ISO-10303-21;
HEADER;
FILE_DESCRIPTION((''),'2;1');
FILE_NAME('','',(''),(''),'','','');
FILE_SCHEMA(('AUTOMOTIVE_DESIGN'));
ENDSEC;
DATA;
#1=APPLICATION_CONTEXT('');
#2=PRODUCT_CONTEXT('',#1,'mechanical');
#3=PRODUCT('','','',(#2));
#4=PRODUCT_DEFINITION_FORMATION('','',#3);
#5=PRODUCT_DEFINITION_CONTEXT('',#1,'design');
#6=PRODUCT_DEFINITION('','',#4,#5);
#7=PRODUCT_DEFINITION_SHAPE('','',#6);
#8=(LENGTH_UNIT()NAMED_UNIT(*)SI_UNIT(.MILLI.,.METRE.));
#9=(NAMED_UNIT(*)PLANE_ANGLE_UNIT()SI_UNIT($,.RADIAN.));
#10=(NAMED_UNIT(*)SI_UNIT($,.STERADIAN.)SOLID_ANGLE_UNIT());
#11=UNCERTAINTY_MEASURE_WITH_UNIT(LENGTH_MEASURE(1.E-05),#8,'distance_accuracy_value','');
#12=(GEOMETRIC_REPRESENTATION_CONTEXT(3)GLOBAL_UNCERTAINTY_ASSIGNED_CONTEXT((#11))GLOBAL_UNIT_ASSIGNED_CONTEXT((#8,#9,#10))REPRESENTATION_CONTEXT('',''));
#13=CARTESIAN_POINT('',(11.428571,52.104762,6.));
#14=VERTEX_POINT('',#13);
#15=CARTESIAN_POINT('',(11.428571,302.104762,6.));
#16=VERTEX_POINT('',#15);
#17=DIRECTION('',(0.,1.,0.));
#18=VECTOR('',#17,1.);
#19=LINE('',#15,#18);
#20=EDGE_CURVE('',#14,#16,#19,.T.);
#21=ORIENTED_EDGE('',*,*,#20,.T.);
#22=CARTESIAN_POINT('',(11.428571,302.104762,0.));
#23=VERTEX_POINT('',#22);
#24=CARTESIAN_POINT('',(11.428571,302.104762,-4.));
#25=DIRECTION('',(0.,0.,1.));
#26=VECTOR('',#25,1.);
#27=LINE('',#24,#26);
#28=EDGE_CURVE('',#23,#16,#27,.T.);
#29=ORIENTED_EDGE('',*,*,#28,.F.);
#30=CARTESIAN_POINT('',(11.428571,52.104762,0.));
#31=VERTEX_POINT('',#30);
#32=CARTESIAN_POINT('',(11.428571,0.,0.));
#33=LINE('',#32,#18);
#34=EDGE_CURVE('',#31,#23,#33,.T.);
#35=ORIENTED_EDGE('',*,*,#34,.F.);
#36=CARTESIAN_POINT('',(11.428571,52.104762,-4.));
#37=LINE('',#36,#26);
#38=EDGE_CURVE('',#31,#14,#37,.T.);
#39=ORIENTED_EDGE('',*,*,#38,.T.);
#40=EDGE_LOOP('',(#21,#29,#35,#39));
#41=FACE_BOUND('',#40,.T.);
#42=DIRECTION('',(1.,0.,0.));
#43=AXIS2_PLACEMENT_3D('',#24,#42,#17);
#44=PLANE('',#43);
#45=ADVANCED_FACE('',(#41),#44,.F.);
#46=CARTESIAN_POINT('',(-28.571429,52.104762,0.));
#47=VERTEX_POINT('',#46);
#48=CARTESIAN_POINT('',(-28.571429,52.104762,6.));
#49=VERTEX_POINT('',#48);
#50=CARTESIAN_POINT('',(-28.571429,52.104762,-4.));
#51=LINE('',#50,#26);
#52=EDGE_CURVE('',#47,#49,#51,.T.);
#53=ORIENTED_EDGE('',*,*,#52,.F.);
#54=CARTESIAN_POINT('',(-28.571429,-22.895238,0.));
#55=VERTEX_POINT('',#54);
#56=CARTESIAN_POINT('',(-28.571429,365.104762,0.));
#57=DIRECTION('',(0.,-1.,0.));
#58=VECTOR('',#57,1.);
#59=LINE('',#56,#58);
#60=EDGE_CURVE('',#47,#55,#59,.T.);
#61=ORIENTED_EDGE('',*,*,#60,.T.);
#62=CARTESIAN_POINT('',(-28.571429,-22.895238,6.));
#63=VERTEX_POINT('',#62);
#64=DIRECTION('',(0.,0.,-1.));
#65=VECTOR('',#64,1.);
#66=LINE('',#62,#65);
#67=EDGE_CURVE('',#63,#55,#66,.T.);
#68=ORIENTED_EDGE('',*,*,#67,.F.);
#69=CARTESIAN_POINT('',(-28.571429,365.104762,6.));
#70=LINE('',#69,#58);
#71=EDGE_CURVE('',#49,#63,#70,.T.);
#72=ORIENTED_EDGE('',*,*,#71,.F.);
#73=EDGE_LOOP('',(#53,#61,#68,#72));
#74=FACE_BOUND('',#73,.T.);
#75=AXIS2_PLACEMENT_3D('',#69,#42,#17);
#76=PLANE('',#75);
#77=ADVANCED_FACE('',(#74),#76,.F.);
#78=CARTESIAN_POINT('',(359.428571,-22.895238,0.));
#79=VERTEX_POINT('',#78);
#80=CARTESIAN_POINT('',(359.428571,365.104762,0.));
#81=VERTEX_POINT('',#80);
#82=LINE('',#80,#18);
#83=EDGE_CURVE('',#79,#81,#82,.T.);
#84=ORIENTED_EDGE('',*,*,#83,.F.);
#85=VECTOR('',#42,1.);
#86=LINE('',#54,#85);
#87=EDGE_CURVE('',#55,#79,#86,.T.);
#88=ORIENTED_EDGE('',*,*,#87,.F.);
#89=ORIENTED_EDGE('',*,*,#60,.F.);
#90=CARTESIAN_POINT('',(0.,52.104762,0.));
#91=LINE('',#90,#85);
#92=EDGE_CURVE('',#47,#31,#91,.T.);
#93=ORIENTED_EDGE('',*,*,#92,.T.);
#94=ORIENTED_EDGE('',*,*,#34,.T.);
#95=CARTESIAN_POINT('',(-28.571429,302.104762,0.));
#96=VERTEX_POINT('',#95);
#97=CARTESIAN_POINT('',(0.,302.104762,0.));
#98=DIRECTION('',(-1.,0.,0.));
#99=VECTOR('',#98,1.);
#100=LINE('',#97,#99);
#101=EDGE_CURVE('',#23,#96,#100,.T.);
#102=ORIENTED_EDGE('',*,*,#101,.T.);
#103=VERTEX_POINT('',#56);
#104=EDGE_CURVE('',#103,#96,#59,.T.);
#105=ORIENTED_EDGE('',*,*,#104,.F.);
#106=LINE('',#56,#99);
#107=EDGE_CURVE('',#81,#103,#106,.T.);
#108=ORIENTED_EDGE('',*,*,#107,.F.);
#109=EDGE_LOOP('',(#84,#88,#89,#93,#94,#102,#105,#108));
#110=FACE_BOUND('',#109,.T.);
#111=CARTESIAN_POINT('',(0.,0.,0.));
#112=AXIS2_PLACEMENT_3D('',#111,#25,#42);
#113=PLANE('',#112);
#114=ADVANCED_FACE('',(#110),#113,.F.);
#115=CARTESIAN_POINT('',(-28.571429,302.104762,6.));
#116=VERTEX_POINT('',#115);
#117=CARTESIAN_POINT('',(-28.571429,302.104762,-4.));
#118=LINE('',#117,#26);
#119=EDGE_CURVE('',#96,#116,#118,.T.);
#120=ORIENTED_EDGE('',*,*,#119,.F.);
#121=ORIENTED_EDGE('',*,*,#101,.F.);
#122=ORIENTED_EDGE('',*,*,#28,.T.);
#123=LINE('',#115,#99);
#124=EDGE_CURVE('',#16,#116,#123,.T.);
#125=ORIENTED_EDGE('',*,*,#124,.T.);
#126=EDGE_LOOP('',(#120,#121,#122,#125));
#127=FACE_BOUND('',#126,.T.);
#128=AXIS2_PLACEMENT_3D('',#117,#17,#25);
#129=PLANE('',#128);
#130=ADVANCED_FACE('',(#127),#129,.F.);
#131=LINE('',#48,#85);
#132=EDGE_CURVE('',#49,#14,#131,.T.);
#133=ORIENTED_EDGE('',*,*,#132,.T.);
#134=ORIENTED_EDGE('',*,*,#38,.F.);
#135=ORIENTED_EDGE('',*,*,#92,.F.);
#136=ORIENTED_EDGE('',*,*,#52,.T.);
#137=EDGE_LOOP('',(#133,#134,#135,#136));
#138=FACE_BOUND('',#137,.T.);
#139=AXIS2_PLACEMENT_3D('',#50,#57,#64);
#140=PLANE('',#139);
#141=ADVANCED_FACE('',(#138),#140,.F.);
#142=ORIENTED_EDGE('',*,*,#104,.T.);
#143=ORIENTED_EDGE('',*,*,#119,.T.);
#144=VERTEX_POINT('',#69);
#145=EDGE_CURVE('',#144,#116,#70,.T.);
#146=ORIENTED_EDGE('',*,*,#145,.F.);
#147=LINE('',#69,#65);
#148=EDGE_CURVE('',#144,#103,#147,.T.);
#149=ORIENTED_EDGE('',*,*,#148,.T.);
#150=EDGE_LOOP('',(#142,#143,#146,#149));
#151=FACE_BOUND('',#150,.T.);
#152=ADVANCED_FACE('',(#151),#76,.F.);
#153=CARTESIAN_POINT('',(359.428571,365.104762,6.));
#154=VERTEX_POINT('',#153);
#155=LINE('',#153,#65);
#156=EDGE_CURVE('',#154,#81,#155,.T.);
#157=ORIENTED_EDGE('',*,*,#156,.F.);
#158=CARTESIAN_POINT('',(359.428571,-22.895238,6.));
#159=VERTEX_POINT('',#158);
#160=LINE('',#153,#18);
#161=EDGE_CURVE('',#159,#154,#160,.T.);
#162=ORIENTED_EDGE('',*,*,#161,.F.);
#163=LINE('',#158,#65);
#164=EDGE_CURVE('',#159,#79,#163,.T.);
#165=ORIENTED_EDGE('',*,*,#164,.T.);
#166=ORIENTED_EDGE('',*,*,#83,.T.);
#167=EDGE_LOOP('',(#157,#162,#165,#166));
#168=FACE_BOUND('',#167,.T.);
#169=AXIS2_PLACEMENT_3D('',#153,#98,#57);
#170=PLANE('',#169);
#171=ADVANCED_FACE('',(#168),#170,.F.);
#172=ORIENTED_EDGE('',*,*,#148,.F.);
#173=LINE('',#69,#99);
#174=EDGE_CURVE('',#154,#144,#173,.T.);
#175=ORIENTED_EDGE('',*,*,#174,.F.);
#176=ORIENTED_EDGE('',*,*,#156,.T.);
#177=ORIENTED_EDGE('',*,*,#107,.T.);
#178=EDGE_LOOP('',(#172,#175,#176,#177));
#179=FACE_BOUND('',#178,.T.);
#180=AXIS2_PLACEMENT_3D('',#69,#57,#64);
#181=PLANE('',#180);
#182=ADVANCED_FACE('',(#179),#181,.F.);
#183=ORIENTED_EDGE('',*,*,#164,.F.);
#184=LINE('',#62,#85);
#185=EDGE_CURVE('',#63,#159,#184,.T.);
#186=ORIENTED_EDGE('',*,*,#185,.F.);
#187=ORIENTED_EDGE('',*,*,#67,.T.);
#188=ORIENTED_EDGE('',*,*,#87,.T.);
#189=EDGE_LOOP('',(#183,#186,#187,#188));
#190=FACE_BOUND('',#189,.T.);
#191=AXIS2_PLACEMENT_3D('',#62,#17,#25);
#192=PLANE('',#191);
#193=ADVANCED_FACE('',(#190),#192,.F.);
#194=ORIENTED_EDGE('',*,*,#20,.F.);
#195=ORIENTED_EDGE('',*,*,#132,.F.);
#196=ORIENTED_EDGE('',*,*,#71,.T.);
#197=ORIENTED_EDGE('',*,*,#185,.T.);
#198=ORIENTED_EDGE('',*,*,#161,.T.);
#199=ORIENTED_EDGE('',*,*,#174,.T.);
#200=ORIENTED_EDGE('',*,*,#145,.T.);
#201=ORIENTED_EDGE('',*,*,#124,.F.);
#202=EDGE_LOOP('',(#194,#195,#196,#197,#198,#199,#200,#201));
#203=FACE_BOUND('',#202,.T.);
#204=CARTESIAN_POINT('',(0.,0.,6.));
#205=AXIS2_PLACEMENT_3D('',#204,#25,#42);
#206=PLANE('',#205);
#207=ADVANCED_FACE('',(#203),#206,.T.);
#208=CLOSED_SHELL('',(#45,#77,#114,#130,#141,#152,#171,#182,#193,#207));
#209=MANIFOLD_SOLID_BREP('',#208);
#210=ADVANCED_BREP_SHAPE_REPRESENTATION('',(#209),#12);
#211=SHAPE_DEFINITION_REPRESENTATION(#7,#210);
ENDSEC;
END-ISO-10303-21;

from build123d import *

# Parameters (mm, degrees)
SKETCH1_W           = 388
SKETCH1_H           = 388
BOSS_EXTRUDE1_DEPTH = 6
SKETCH2_W           = 40
SKETCH2_H           = 250
CUT_EXTRUDE1_DEPTH  = 10


with BuildPart() as part:
    # Sketch1 → Boss-Extrude1 (new body)
    with BuildSketch(Plane.XY):
        with Locations((165.428571429, 171.104761905)):
            Rectangle(SKETCH1_W, SKETCH1_H)
    extrude(amount=BOSS_EXTRUDE1_DEPTH)

    # Sketch2 → Cut-Extrude1 (cut)
    with BuildSketch(Plane.XY.offset(6)):
        with Locations((-8.571428571, 177.104761905)):
            Rectangle(SKETCH2_W, SKETCH2_H)
    extrude(amount=-CUT_EXTRUDE1_DEPTH, mode=Mode.SUBTRACT)


solid = part.part
